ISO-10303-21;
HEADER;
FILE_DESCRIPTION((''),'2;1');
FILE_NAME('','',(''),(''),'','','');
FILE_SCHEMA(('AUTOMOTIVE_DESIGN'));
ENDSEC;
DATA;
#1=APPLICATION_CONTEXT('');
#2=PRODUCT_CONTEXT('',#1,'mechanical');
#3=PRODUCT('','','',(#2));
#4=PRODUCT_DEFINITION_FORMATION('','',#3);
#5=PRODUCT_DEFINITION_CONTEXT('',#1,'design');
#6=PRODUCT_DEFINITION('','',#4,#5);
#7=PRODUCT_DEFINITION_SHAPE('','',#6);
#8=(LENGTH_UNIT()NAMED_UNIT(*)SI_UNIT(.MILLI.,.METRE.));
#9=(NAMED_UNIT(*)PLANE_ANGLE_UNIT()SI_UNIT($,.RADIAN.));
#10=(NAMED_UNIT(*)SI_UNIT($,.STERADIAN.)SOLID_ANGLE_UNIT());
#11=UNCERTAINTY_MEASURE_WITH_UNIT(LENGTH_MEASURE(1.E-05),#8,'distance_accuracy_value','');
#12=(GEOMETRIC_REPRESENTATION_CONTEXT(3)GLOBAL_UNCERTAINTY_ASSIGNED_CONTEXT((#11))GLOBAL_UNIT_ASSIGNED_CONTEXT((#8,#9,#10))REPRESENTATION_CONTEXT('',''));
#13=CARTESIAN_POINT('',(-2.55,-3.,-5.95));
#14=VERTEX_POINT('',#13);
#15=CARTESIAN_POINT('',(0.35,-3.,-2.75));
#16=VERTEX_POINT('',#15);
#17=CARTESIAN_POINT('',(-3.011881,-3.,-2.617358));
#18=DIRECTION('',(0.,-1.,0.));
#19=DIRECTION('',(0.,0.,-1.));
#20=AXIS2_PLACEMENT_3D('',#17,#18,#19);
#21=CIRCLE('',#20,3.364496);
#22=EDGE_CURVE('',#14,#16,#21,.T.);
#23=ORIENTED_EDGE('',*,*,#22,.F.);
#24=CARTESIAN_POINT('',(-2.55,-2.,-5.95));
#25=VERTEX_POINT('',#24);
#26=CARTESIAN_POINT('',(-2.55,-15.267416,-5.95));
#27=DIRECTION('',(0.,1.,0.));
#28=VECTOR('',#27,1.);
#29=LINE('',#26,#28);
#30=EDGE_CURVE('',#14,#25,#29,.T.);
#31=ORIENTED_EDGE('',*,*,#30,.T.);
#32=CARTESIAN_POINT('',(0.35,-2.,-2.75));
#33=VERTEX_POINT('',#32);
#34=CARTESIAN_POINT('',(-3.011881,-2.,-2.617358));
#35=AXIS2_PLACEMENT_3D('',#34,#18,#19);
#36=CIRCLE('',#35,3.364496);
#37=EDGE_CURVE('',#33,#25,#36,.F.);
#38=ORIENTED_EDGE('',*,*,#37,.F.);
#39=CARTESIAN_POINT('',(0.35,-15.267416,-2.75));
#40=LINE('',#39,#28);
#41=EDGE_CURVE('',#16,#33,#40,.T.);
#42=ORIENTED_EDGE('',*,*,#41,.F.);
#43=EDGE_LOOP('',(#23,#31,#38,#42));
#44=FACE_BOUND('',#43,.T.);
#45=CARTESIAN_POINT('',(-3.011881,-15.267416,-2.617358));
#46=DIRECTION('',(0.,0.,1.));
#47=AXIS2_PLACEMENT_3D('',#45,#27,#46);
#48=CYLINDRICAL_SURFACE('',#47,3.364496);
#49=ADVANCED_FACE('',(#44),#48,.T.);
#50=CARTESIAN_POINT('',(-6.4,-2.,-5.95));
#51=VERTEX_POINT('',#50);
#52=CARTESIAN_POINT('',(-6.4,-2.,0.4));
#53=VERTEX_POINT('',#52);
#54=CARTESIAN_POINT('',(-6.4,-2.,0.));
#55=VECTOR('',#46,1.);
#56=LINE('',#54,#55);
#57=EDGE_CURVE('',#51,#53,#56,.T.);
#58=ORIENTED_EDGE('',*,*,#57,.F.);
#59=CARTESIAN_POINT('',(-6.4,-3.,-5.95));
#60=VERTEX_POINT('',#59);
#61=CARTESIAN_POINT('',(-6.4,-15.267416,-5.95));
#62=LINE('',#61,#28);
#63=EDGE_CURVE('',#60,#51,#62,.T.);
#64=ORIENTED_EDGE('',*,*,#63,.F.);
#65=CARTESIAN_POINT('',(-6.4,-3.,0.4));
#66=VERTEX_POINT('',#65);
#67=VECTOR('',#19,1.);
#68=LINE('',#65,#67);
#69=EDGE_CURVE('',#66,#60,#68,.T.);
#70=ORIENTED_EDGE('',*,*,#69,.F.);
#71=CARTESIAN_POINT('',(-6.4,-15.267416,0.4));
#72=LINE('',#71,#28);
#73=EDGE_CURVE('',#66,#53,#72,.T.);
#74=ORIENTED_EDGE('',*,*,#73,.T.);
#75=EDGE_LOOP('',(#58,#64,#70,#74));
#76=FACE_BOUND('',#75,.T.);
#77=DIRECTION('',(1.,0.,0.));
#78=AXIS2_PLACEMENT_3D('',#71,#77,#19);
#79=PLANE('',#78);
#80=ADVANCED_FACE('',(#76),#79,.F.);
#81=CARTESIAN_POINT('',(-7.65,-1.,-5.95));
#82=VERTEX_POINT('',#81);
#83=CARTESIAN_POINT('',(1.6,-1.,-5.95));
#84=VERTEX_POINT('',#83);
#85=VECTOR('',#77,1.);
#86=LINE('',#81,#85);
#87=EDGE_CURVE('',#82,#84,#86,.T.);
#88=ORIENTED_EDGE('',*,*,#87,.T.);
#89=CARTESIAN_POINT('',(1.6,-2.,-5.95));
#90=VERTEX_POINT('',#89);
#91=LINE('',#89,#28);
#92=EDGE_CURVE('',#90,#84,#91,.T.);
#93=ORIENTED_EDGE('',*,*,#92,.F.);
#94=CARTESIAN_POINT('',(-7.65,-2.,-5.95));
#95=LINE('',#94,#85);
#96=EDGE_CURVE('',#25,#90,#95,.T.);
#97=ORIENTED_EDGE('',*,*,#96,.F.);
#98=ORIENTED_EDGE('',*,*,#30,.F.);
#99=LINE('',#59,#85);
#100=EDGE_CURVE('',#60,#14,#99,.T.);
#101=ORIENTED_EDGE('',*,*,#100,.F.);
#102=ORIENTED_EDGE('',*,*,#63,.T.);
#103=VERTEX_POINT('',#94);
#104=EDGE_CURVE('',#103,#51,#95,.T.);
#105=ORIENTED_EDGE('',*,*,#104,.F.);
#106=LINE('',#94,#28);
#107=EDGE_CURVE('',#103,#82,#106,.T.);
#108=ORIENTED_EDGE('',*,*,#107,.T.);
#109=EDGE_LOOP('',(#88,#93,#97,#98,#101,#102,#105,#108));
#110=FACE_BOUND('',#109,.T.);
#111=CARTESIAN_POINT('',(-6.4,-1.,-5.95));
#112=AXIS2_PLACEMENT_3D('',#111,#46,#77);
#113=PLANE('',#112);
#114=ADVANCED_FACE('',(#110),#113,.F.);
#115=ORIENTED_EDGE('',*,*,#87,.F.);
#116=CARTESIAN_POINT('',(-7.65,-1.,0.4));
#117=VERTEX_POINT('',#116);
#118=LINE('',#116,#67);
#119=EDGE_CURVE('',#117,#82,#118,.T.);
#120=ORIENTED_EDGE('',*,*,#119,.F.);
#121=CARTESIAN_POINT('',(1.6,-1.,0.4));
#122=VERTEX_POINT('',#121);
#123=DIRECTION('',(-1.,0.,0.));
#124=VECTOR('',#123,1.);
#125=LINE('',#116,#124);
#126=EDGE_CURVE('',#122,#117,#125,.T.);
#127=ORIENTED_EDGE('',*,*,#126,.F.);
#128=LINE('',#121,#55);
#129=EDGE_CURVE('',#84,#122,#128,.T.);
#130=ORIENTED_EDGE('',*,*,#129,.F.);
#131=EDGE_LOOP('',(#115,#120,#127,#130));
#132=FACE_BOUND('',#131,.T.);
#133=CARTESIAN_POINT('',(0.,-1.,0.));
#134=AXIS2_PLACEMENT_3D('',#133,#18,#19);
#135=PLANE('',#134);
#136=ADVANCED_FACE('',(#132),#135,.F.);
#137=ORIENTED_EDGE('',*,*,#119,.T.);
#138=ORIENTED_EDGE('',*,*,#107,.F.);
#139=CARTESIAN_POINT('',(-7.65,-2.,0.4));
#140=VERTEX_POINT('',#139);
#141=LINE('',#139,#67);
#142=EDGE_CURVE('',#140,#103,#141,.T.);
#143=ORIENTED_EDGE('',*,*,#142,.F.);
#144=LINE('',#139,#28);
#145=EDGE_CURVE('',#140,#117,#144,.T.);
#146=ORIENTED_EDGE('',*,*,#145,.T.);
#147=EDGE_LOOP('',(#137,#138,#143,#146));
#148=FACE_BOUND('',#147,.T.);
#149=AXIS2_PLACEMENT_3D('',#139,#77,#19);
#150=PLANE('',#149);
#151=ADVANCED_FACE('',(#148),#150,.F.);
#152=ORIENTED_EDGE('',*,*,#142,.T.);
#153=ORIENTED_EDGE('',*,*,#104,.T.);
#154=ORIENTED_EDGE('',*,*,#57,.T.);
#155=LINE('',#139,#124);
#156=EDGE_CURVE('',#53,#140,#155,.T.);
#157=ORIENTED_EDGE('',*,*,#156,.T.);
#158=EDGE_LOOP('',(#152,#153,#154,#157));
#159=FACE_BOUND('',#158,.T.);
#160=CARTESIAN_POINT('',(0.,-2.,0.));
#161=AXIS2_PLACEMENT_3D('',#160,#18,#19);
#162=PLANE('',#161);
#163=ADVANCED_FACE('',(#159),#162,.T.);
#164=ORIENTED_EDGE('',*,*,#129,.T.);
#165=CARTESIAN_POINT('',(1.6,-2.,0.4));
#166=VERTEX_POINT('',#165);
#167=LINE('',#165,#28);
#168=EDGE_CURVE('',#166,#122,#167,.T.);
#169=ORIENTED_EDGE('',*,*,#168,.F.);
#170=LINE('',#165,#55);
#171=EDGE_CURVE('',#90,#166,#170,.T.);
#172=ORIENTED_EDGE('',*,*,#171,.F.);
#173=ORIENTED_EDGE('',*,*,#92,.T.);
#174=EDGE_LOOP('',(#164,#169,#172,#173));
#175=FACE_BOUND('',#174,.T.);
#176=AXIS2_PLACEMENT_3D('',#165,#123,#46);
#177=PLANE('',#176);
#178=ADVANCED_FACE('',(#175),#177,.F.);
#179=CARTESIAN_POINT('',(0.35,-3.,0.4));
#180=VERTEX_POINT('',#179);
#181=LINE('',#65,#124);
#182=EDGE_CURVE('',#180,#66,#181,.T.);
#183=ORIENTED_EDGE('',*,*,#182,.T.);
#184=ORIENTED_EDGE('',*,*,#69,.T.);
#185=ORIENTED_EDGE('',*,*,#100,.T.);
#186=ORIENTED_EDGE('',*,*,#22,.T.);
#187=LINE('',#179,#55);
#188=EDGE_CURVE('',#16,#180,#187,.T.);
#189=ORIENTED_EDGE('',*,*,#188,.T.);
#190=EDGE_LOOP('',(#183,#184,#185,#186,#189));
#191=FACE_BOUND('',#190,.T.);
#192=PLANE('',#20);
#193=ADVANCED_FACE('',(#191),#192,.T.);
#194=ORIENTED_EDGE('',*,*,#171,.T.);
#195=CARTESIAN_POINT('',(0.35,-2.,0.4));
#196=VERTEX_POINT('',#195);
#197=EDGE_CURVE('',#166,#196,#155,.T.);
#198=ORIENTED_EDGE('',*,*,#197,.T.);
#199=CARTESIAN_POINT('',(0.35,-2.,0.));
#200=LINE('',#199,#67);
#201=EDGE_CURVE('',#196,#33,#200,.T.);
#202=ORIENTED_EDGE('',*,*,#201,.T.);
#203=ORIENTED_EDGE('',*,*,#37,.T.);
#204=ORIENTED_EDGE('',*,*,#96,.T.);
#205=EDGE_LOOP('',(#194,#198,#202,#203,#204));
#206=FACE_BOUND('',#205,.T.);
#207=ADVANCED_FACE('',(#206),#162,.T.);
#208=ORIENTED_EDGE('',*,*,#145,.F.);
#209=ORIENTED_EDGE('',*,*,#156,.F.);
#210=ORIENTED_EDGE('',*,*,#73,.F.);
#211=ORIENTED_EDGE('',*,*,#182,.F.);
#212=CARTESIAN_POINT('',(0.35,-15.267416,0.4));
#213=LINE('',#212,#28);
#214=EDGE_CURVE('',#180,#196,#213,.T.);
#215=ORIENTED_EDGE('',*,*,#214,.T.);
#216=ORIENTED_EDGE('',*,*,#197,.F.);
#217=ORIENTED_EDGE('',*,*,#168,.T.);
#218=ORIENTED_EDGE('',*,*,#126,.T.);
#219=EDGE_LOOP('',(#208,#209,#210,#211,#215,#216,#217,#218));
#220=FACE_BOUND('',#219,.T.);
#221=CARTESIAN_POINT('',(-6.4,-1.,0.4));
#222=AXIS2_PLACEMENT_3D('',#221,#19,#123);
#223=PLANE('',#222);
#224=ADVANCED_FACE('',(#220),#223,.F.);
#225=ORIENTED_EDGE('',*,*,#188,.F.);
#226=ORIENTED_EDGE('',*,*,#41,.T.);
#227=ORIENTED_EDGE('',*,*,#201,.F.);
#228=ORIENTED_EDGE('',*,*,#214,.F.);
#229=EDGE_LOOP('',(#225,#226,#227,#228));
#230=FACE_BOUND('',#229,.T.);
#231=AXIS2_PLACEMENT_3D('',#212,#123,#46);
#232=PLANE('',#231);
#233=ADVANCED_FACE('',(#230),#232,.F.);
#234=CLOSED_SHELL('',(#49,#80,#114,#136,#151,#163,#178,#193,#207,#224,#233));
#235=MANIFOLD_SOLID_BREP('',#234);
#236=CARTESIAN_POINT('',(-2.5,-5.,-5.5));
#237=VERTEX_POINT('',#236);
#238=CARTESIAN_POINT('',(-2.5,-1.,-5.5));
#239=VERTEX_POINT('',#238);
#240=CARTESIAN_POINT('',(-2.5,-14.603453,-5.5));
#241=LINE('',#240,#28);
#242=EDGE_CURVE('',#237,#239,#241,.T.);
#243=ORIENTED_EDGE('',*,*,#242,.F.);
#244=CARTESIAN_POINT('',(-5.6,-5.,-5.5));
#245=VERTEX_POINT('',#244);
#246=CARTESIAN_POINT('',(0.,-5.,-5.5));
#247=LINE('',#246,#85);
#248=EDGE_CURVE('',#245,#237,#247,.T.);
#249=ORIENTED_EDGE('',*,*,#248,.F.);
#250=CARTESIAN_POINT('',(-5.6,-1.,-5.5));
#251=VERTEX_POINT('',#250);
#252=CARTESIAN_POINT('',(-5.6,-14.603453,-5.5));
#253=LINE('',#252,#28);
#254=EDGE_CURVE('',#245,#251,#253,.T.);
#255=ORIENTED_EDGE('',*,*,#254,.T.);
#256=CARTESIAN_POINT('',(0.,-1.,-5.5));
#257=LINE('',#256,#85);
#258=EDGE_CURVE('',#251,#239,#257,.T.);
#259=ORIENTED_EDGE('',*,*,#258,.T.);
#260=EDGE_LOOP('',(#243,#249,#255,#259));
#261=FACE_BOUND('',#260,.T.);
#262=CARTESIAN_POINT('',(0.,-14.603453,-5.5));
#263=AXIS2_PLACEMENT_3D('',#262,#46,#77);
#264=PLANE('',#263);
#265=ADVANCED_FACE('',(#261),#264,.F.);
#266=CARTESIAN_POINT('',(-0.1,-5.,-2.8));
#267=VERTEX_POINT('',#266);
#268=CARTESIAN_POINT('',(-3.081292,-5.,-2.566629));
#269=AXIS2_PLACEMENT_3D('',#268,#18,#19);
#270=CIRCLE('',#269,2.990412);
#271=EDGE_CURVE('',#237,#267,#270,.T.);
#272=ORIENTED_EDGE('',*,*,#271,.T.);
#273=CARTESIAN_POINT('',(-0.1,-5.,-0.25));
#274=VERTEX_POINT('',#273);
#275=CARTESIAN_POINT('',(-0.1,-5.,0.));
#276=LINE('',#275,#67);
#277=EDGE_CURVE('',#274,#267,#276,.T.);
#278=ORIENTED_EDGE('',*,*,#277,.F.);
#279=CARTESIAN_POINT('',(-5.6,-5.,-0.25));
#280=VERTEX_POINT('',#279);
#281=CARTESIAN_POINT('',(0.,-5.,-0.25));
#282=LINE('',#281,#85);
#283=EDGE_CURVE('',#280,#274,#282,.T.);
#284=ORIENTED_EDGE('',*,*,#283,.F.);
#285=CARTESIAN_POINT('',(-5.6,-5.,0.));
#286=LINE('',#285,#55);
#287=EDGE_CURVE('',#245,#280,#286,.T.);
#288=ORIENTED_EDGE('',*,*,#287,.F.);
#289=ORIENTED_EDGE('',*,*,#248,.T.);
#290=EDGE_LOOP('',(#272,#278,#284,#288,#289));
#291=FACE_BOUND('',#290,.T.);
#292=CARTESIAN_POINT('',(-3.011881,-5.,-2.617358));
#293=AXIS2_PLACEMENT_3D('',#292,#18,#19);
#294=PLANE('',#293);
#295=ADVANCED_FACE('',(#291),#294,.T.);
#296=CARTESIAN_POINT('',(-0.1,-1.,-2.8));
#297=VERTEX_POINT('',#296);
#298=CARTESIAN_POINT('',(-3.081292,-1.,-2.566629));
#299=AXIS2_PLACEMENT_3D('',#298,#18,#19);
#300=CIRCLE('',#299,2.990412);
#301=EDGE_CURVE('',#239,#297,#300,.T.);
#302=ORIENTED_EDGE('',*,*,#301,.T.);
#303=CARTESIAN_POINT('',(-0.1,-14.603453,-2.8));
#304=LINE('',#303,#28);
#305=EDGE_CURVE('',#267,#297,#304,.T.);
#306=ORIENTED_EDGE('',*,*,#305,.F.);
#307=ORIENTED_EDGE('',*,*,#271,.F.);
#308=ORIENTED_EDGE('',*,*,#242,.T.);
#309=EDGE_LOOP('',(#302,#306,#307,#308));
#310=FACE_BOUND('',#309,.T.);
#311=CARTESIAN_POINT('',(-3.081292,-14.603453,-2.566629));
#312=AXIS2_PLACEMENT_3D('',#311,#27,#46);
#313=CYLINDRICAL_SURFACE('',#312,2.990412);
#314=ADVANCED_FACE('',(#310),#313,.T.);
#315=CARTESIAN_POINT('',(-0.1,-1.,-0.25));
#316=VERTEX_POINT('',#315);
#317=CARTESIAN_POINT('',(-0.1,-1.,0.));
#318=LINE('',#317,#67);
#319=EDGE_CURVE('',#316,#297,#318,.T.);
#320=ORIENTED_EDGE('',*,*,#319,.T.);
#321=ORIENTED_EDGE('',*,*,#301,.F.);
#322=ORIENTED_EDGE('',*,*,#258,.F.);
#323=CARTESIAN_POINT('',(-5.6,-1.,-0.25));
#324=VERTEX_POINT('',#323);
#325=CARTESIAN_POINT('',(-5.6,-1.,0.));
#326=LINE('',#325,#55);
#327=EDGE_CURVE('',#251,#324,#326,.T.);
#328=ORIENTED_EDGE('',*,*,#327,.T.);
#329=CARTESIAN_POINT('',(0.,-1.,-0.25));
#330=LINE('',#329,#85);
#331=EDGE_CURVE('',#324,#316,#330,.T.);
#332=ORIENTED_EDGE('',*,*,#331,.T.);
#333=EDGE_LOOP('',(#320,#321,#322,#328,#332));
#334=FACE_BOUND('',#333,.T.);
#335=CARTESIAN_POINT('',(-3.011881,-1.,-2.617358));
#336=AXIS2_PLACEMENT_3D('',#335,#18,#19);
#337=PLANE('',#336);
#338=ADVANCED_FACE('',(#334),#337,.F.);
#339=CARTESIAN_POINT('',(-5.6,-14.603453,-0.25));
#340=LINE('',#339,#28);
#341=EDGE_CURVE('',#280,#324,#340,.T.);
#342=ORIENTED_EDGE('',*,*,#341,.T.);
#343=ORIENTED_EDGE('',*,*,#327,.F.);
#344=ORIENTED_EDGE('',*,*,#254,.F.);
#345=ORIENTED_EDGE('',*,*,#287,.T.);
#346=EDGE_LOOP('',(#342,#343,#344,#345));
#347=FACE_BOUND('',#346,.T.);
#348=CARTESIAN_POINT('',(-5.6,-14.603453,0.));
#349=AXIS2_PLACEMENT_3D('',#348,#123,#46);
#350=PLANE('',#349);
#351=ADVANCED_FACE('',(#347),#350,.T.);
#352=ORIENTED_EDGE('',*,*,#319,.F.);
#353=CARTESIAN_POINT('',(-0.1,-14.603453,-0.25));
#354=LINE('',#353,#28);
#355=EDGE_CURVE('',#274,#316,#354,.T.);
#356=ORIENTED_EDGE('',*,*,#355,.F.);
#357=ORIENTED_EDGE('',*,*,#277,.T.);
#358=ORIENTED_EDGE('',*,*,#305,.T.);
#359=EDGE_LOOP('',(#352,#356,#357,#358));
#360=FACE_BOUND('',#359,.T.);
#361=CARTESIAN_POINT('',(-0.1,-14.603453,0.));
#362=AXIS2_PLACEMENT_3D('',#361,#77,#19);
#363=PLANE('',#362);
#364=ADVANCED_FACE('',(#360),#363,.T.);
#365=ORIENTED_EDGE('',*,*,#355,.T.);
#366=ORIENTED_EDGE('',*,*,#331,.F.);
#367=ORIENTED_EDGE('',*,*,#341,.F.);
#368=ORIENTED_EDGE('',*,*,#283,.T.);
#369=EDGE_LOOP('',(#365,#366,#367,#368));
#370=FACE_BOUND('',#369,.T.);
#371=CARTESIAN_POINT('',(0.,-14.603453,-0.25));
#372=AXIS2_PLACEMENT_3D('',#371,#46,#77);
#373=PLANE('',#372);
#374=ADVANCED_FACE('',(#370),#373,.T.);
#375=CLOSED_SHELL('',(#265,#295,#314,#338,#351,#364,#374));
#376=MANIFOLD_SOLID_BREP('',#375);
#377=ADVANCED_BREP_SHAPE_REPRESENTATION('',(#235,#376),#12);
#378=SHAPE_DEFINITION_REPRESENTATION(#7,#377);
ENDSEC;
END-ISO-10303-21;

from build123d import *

# Parameters (mm, degrees)
BOSS_EXTRUDE2_DEPTH     = 2
BOSS_EXTRUDE3_DEPTH     = 1
SKETCH4_W               = 9.25
SKETCH4_H               = 6.35
BOSS_EXTRUDE4_DEPTH     = 1
BOSS_EXTRUDE6_DEPTH     = 3
BOSS_EXTRUDE7_DEPTH     = 5
CUT_EXTRUDE1_DEPTH      = 1
CUT_EXTRUDE1_DEPTH_BACK = 3


with BuildPart() as part:
    # Sketch2 → Boss-Extrude2 (new body)
    with BuildSketch(Plane(origin=(0, 0, 0), x_dir=(1, 0, 0), z_dir=(0, 1, 0))):
        with BuildLine():
            Line((-2.5, 5.5), (-5.6, 5.5))
            Line((-5.6, 5.5), (-5.6, 2.8))
            Line((-5.6, 2.8), (-5.6, 0.25))
            Line((-5.6, 0.25), (-0.1, 0.25))
            Line((-0.1, 0.25), (-0.1, 2.8))
            ThreePointArc((-0.1, 2.8), (-0.846230195, 4.553350938), (-2.5, 5.5))
        make_face()
    extrude(amount=BOSS_EXTRUDE2_DEPTH)

    # Sketch3 → Boss-Extrude3 (add)
    with BuildSketch(Plane.XZ):
        with BuildLine():
            Line((-6.4, 0.4), (0.35, 0.4))
            Line((0.35, 0.4), (0.35, -2.75))
            ThreePointArc((0.35, -2.75), (-0.518832832, -4.876682746), (-2.55, -5.95))
            Line((-2.55, -5.95), (-6.4, -5.95))
            Line((-6.4, -5.95), (-6.4, 0.4))
        make_face()
    extrude(amount=BOSS_EXTRUDE3_DEPTH)

    # Sketch4 → Boss-Extrude4 (add)
    with BuildSketch(Plane.XZ.offset(1)):
        with Locations((-3.025, -2.775)):
            Rectangle(SKETCH4_W, SKETCH4_H)
    extrude(amount=BOSS_EXTRUDE4_DEPTH)

    # Sketch3<3> → Boss-Extrude6 (add)
    with BuildSketch(Plane.XZ):
        with BuildLine():
            Line((-6.4, 0.4), (0.35, 0.4))
            Line((0.35, 0.4), (0.35, -2.75))
            ThreePointArc((0.35, -2.75), (-0.518832832, -4.876682746), (-2.55, -5.95))
            Line((-2.55, -5.95), (-6.4, -5.95))
            Line((-6.4, -5.95), (-6.4, 0.4))
        make_face()
    extrude(amount=BOSS_EXTRUDE6_DEPTH)


with BuildPart() as body_2:
    # Sketch2<5> → Boss-Extrude7 (new body)
    with BuildSketch(Plane(origin=(0, 0, 0), x_dir=(1, 0, 0), z_dir=(0, 1, 0))):
        with BuildLine():
            Line((-2.5, 5.5), (-5.6, 5.5))
            Line((-5.6, 5.5), (-5.6, 2.8))
            Line((-5.6, 2.8), (-5.6, 0.25))
            Line((-5.6, 0.25), (-0.1, 0.25))
            Line((-0.1, 0.25), (-0.1, 2.8))
            ThreePointArc((-0.1, 2.8), (-0.846230195, 4.553350938), (-2.5, 5.5))
        make_face()
    extrude(amount=-BOSS_EXTRUDE7_DEPTH)


with BuildPart() as cut_extrude1_tool:
    # Sketch3<4> → Cut-Extrude1 (new, two sides: drawn at the far end of the back side and taken through both)
    with BuildSketch(Plane.XZ.offset(-CUT_EXTRUDE1_DEPTH_BACK)):
        with BuildLine():
            Line((-6.4, 0.4), (0.35, 0.4))
            Line((0.35, 0.4), (0.35, -2.75))
            ThreePointArc((0.35, -2.75), (-0.518832832, -4.876682746), (-2.55, -5.95))
            Line((-2.55, -5.95), (-6.4, -5.95))
            Line((-6.4, -5.95), (-6.4, 0.4))
        make_face()
    extrude(amount=CUT_EXTRUDE1_DEPTH + CUT_EXTRUDE1_DEPTH_BACK)


with BuildPart() as part_1:
    add(part.part)

    # Cut-Extrude1: cut by cut_extrude1_tool
    add(cut_extrude1_tool.part, mode=Mode.SUBTRACT)


with BuildPart() as body_2_1:
    add(body_2.part)

    # Cut-Extrude1: cut by cut_extrude1_tool
    add(cut_extrude1_tool.part, mode=Mode.SUBTRACT)


solid = Compound([part_1.part, body_2_1.part])
